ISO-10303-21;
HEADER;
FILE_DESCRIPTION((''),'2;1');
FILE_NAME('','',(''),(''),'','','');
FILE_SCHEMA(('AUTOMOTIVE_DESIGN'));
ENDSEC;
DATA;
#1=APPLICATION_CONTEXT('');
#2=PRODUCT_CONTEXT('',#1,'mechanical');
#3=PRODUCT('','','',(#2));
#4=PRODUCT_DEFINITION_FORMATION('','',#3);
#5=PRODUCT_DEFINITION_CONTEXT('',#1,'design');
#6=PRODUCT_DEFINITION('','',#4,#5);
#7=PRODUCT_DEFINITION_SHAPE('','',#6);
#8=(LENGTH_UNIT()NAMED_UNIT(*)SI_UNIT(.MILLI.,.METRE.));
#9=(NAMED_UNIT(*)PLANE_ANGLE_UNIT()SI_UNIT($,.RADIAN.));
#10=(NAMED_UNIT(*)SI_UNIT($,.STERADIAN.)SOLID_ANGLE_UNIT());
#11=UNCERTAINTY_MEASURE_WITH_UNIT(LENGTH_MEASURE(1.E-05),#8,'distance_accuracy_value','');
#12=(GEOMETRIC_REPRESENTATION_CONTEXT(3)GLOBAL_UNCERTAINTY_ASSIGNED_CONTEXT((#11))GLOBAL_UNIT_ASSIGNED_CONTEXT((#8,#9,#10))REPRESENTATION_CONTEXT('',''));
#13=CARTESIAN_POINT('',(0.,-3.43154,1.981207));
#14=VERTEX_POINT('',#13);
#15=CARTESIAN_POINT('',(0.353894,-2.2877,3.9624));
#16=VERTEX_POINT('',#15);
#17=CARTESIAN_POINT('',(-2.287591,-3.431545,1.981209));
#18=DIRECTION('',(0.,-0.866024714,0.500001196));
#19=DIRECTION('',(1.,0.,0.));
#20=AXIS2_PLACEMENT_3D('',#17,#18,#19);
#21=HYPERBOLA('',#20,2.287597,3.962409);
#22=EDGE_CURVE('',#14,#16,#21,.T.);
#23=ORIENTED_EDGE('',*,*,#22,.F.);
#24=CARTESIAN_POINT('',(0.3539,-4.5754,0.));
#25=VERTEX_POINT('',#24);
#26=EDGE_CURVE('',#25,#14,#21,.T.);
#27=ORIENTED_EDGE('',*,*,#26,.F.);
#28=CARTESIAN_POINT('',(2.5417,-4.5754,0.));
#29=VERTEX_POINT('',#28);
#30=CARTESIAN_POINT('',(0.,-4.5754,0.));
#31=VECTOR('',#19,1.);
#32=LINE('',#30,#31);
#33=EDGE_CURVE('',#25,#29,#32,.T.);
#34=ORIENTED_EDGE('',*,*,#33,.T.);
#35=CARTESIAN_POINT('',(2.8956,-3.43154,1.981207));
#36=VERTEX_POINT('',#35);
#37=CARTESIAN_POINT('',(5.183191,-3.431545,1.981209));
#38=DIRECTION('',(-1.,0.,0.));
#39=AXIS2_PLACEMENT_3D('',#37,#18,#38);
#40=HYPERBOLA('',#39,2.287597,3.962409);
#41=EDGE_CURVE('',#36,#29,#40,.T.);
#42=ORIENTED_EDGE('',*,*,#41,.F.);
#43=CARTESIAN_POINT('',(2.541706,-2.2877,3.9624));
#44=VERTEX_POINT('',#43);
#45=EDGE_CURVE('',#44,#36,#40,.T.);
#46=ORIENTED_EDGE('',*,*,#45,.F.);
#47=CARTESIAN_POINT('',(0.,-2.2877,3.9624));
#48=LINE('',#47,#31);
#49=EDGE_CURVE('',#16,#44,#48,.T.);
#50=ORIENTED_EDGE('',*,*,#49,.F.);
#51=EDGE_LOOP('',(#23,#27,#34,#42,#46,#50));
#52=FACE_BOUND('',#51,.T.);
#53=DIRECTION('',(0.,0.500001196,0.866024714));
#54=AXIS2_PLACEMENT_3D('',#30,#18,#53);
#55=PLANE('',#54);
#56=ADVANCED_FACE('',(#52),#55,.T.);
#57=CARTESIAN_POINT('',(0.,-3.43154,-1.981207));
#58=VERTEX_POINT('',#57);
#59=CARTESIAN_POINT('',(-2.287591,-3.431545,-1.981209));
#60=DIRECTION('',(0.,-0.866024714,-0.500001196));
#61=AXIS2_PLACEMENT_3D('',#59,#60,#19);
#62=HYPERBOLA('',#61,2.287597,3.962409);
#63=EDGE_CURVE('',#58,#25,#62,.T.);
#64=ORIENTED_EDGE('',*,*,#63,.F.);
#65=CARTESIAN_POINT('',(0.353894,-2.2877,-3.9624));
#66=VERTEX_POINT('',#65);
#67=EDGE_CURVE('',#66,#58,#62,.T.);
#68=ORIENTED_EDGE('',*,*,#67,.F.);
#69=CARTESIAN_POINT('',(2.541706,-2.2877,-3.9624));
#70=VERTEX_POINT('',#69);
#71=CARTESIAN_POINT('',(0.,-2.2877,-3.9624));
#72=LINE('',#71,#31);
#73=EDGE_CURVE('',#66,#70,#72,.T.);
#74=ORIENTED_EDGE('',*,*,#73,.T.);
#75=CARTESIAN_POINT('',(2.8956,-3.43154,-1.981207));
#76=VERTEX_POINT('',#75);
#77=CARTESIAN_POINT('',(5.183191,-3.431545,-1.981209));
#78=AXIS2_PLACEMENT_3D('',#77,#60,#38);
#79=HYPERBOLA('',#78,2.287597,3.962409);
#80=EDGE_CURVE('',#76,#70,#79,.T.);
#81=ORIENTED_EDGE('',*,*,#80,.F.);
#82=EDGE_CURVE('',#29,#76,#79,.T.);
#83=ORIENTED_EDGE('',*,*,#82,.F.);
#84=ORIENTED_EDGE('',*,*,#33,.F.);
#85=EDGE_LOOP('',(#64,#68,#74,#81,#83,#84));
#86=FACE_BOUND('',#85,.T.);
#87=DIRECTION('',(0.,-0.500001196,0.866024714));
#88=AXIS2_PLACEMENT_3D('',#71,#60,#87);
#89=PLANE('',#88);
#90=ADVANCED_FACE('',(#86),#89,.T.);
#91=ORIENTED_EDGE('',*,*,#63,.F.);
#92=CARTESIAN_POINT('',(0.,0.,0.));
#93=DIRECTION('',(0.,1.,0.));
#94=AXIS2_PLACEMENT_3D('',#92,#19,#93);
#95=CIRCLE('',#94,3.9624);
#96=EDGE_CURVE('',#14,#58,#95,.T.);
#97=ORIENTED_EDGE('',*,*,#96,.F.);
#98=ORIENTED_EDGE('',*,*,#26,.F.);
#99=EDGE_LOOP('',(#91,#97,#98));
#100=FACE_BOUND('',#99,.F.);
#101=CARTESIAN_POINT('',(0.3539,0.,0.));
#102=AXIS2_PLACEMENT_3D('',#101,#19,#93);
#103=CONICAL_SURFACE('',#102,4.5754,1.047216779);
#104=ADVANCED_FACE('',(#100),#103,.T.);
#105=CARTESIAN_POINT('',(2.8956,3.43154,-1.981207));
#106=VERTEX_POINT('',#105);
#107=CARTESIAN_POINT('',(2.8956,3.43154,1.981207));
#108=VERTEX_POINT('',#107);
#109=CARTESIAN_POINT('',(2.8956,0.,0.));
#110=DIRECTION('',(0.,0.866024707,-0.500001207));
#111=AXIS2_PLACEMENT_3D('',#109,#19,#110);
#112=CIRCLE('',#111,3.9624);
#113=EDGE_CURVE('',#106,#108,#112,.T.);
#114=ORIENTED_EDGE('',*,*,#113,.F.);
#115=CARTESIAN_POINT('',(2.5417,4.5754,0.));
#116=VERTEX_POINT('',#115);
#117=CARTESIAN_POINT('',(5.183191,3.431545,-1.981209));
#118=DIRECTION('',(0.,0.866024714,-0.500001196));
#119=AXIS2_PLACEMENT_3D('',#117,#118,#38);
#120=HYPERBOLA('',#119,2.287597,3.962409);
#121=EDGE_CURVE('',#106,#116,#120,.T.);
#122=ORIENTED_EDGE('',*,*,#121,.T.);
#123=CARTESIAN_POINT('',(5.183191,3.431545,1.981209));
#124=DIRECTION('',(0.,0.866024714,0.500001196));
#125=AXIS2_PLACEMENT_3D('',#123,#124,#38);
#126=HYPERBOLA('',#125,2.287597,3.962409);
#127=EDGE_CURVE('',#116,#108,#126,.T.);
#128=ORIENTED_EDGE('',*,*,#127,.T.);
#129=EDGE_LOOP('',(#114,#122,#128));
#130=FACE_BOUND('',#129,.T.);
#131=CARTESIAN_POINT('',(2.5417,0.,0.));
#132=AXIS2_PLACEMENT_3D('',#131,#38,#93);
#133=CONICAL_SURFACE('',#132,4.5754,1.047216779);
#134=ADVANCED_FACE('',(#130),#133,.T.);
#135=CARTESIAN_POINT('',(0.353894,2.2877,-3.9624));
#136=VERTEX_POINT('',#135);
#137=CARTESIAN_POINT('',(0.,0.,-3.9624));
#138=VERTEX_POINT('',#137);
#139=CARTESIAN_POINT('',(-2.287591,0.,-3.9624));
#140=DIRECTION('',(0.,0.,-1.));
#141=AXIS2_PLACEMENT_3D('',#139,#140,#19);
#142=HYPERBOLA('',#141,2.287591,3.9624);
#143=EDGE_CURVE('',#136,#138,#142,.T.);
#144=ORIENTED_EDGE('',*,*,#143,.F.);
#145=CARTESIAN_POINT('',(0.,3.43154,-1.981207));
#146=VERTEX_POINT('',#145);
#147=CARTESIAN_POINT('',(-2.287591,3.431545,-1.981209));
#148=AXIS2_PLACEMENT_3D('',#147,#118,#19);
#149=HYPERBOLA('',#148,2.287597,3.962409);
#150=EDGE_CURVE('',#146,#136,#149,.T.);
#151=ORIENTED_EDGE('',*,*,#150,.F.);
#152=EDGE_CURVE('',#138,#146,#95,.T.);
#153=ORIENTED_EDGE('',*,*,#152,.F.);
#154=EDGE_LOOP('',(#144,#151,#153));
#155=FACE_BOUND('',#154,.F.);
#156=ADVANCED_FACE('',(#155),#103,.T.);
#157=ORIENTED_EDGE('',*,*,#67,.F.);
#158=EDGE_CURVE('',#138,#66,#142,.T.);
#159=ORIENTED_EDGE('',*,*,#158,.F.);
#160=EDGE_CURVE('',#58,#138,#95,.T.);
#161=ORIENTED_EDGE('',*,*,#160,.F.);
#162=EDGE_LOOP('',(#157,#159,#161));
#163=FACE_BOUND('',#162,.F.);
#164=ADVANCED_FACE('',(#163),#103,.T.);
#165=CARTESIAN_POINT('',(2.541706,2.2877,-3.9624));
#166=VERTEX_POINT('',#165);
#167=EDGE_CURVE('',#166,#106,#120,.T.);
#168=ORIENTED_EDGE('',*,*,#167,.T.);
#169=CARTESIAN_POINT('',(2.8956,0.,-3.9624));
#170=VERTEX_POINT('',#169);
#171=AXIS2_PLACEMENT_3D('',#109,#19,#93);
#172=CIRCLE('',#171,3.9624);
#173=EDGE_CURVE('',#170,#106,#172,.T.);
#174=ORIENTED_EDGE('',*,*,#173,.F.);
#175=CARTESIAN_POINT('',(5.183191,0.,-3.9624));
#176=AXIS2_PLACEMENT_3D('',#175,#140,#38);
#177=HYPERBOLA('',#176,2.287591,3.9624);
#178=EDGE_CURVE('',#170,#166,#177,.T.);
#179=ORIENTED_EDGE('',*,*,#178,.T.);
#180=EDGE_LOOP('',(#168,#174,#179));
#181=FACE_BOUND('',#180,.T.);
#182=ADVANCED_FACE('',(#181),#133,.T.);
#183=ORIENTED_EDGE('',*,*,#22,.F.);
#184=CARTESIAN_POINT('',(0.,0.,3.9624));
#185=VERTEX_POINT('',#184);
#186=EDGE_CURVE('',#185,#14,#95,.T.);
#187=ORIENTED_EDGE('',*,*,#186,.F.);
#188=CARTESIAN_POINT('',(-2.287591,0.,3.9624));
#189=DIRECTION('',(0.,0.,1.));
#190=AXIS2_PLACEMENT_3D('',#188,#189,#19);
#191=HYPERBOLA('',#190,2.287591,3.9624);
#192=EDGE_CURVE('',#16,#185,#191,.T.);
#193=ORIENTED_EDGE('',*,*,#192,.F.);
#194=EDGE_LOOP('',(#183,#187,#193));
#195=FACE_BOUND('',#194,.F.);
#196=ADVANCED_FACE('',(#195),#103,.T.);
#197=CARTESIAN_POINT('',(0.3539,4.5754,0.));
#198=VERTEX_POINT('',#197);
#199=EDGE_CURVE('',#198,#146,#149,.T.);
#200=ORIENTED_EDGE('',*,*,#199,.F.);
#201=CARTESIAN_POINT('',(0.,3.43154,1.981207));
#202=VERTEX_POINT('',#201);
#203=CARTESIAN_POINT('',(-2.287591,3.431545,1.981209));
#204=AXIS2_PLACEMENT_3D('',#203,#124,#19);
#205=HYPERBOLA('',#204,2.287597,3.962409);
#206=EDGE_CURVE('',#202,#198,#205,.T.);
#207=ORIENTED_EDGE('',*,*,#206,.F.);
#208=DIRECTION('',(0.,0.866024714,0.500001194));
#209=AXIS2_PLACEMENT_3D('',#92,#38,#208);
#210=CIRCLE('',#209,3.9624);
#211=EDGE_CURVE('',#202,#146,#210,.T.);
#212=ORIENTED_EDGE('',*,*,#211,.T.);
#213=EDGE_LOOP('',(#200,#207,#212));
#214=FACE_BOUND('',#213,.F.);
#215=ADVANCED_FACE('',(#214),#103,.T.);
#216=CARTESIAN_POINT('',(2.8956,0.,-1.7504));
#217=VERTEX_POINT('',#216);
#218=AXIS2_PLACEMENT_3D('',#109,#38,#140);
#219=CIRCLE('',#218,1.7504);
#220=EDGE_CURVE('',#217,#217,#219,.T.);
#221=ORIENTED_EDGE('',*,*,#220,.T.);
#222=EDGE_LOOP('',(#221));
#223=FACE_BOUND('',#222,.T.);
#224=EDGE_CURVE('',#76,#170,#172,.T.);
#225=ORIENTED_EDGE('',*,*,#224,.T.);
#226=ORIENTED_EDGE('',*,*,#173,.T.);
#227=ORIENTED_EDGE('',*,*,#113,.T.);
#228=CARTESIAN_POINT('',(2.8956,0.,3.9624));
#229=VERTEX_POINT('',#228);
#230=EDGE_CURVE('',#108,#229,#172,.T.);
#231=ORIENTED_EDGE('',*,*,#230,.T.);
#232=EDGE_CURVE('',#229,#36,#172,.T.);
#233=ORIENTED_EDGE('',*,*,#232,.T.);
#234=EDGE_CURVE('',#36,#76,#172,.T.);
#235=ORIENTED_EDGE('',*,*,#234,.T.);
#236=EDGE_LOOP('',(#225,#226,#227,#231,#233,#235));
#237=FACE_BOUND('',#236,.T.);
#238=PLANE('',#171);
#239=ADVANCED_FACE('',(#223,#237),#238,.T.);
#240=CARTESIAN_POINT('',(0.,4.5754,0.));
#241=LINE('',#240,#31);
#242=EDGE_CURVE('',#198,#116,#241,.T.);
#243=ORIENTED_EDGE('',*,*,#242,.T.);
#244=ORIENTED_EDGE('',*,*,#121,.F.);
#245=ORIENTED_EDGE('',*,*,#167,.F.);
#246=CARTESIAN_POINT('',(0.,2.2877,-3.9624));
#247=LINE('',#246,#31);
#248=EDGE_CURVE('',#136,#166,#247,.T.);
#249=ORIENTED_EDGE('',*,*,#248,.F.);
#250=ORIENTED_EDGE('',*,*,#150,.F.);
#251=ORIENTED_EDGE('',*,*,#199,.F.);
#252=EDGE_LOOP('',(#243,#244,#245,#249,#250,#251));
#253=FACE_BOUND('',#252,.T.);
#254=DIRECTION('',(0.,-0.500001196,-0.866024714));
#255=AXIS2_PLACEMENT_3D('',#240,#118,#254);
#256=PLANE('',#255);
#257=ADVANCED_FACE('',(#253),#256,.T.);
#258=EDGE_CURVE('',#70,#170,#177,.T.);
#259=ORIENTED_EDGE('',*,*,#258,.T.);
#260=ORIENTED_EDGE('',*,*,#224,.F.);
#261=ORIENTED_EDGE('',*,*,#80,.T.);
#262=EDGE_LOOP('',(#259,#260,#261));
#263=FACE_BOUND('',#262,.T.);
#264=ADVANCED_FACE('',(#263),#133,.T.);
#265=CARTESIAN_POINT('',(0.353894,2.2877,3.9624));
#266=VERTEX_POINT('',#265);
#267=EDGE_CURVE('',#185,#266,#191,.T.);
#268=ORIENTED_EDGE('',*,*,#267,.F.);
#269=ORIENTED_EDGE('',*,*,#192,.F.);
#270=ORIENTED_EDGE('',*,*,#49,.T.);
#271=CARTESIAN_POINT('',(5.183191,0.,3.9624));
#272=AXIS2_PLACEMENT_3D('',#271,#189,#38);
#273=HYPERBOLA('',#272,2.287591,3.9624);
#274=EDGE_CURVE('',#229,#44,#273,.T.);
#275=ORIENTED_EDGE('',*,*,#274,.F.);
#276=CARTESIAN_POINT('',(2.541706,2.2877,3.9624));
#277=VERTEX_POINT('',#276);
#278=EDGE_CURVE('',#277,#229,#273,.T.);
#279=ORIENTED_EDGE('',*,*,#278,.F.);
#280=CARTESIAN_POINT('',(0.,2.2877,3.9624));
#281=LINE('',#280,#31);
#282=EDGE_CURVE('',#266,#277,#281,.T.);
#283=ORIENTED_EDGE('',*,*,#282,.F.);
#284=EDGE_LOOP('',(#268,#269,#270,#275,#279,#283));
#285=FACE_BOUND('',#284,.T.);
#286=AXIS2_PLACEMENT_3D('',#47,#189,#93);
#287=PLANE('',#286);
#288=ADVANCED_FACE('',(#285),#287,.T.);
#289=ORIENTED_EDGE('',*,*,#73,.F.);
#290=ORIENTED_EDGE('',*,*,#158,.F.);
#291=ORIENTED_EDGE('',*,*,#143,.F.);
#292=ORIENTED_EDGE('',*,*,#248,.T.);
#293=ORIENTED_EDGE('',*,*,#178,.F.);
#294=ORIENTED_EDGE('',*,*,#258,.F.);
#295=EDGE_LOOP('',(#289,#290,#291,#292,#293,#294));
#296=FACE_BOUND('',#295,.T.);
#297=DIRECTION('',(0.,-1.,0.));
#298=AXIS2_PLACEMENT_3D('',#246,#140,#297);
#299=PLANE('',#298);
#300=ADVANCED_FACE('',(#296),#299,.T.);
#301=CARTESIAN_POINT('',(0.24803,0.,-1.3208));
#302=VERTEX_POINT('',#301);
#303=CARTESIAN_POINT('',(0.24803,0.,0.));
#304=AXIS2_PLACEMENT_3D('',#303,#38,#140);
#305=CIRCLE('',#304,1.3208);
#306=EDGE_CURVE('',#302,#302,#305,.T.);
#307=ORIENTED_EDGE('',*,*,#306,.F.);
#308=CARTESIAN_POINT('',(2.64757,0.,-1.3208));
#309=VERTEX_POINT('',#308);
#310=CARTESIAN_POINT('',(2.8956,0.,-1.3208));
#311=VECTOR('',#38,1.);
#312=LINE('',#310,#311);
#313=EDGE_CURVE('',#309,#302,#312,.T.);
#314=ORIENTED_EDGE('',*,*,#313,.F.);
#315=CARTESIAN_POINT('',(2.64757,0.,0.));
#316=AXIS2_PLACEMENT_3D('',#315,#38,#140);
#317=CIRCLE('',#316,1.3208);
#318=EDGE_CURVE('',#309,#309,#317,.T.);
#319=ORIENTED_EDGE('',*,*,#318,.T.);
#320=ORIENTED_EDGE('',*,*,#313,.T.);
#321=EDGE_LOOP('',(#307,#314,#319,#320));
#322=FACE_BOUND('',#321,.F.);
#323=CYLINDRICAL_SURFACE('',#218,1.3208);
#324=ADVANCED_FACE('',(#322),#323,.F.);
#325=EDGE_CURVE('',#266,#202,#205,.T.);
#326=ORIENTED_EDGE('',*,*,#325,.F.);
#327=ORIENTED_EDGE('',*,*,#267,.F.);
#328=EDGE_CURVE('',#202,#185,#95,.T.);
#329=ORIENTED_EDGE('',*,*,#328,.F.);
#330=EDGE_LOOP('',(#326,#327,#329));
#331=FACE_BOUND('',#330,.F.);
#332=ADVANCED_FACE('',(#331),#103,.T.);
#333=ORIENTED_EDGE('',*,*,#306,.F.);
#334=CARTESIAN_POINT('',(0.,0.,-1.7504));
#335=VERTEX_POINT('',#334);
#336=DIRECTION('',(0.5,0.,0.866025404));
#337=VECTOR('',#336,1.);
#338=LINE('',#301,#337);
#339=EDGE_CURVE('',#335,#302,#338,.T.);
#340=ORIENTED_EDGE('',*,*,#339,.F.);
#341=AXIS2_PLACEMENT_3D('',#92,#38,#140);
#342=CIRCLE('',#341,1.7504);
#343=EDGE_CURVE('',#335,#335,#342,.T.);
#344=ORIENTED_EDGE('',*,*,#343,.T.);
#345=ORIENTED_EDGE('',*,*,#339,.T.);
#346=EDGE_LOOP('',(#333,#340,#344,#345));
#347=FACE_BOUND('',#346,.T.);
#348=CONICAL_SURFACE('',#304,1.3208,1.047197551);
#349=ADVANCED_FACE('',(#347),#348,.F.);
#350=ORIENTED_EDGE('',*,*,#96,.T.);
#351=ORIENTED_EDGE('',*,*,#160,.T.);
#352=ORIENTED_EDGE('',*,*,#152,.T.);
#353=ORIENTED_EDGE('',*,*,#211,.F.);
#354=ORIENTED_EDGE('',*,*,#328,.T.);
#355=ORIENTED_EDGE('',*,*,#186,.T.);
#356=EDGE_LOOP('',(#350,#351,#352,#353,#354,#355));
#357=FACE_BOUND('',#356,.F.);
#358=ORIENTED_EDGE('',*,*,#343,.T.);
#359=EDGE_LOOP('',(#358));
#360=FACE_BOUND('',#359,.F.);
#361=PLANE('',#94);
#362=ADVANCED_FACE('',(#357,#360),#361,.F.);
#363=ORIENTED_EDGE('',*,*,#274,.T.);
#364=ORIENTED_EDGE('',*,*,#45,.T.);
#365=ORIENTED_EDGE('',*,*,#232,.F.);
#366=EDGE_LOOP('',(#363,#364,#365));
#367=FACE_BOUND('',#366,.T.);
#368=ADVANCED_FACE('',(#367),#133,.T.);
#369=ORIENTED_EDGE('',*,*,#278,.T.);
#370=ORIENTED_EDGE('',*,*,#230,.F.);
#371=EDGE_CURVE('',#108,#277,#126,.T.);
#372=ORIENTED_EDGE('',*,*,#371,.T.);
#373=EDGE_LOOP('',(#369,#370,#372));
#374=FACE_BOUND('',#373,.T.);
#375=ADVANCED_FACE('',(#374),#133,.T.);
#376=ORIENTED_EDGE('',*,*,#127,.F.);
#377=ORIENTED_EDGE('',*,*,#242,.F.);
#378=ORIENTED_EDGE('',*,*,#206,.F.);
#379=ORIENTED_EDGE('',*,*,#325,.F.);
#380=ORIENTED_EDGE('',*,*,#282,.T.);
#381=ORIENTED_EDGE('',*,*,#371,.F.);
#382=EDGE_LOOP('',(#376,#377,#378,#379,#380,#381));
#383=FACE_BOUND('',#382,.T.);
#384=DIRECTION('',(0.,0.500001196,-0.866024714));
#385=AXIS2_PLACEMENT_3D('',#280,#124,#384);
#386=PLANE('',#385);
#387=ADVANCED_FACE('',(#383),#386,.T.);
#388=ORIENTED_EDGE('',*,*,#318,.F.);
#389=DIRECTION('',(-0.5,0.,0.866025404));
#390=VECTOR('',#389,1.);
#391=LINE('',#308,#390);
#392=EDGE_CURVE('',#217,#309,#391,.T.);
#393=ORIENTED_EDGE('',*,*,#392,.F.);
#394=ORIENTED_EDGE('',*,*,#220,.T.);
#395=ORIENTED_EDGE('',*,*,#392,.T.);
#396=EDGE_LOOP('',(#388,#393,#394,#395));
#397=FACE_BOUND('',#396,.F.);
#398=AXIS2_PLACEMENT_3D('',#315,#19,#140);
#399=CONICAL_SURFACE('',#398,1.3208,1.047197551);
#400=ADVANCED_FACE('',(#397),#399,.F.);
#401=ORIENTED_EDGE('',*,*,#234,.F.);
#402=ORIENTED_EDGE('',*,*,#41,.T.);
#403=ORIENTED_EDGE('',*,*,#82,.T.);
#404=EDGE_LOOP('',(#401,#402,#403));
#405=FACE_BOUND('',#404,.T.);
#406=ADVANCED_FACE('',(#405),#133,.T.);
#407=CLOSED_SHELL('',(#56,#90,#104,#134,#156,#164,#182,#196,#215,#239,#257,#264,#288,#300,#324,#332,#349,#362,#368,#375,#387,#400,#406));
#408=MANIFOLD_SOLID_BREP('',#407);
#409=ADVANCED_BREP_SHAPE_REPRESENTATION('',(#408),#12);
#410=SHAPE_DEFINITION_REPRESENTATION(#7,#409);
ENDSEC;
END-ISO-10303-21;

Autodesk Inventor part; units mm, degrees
ref_plane "YZ Plane" through (0, 0, 0) normal (1, 0, 0) x (0, 1, 0)
ref_plane "XZ Plane" through (0, 0, 0) normal (0, 1, 0) x (-1, 0, 0)
sketch "Sketch1" plane through (0, 0, 0) normal (1, 0, 0) x (0, 1, 0)
  line L0 (-4.5754, 0) -> (-2.2877, 3.9624)
  line L1 (-2.2877, 3.9624) -> (2.2877, 3.9624)
  line L2 (2.2877, 3.9624) -> (4.5754, 0)
  line L3 (4.5754, 0) -> (2.2877, -3.9624)
  line L4 (2.2877, -3.9624) -> (-2.2877, -3.9624)
  line L5 (-2.2877, -3.9624) -> (-4.5754, 0)
  point P0 (0, 0)
  point P1 (0, 0)
  dimension "d0" = 9.1508
extrude "Body" add sketch "Sketch1" along normal blind 2.8956
sketch "Sketch2" plane through (0, 0, 0) normal (0, 0, 1) x (1, 0, 0)
  line L0 (0, 2.2877) -> (0, 4.5754) projected
  line L1 (0, 4.5754) -> (2.8956, 4.5754) projected
  line L2 (2.8956, 2.2877) -> (2.8956, 4.5754) projected
  line L3 (-0.5791, 0) -> (3.4747, 0) projected
  line L4 (0.3539, 4.5754) -> (0, 3.9624)
  line L5 (2.5417, 4.5754) -> (2.8956, 3.9624)
  dimension "d3" = 30
  dimension "d4" = 30
  dimension "d5" = 7.9248
  dimension "d6" = 7.9248
revolve "Chamfer1" cut sketch "Sketch2" angle 360 about axis through (-10, 0, 0) along (1, 0, 0)
sketch "Sketch3" plane through (2.8956, 0, 0) normal (1, 0, 0) x (0, 0, -1)
  arc A0 (-1.9812, -3.4315) -> (1.9812, -3.4315) centre (0, 0) ccw projected
hole "Thread" at (2.8956, 0, 0) direction (-1, 0, 0) diameter 2.6416 end through all thread size "6-32 UNC" class "2B" standard "ANSI Unified Screw Threads"
chamfer "Chamfer2" distance 0.4296 angle 30 1 edges at (2.8956, 0, 1.3208) measured on face at (2.8956, 3.0642, -0.0531)
chamfer "Chamfer3" distance 0.4296 angle 30 1 edges at (0, 0, 1.3208) measured on face at (0, 3.0642, -0.0531)
ref_plane "Work Plane1" through (-9.5512, 0, 0) normal (0, -0.866, -0.5) x (1, 0, 0)
equation "\"d0\" = 1.1547 * SW"
equation "\"d1\" = KOH"
equation "\"d3\" = ANG1"
equation "\"d4\" = ANG2"
equation "\"d5\" = SW0"
equation "\"d6\" = SW01"
equation "\"d8\" = -0.5 * GD1 + 0.5 * NND"
equation "\"d40\" = -0.5 * GD1 + 0.5 * NND"
equation "\"d10\" = -0.5 * GD1 + 0.5 * NND"
equation "\"d41\" = -0.5 * GD1 + 0.5 * NND"
equation "\"ANG1\" = 30deg"
equation "\"ANG2\" = 30deg"
equation "\"NND\" = 3.5052"
equation "\"KOH\" = 2.8956"
equation "\"SW\" = 7.9248"
equation "\"SW0\" = SW"
equation "\"SW01\" = SW"
equation "\"THREADDIA\" = 3.5052"
equation "\"TOA\" = 30deg"
equation "\"E0\" = 1.155 * SW"
equation "\"GD1\" = 2.64594"
properties part number "ANSI B18.2.2 - 6 - 32, HMSNI" material "Steel, Mild"
